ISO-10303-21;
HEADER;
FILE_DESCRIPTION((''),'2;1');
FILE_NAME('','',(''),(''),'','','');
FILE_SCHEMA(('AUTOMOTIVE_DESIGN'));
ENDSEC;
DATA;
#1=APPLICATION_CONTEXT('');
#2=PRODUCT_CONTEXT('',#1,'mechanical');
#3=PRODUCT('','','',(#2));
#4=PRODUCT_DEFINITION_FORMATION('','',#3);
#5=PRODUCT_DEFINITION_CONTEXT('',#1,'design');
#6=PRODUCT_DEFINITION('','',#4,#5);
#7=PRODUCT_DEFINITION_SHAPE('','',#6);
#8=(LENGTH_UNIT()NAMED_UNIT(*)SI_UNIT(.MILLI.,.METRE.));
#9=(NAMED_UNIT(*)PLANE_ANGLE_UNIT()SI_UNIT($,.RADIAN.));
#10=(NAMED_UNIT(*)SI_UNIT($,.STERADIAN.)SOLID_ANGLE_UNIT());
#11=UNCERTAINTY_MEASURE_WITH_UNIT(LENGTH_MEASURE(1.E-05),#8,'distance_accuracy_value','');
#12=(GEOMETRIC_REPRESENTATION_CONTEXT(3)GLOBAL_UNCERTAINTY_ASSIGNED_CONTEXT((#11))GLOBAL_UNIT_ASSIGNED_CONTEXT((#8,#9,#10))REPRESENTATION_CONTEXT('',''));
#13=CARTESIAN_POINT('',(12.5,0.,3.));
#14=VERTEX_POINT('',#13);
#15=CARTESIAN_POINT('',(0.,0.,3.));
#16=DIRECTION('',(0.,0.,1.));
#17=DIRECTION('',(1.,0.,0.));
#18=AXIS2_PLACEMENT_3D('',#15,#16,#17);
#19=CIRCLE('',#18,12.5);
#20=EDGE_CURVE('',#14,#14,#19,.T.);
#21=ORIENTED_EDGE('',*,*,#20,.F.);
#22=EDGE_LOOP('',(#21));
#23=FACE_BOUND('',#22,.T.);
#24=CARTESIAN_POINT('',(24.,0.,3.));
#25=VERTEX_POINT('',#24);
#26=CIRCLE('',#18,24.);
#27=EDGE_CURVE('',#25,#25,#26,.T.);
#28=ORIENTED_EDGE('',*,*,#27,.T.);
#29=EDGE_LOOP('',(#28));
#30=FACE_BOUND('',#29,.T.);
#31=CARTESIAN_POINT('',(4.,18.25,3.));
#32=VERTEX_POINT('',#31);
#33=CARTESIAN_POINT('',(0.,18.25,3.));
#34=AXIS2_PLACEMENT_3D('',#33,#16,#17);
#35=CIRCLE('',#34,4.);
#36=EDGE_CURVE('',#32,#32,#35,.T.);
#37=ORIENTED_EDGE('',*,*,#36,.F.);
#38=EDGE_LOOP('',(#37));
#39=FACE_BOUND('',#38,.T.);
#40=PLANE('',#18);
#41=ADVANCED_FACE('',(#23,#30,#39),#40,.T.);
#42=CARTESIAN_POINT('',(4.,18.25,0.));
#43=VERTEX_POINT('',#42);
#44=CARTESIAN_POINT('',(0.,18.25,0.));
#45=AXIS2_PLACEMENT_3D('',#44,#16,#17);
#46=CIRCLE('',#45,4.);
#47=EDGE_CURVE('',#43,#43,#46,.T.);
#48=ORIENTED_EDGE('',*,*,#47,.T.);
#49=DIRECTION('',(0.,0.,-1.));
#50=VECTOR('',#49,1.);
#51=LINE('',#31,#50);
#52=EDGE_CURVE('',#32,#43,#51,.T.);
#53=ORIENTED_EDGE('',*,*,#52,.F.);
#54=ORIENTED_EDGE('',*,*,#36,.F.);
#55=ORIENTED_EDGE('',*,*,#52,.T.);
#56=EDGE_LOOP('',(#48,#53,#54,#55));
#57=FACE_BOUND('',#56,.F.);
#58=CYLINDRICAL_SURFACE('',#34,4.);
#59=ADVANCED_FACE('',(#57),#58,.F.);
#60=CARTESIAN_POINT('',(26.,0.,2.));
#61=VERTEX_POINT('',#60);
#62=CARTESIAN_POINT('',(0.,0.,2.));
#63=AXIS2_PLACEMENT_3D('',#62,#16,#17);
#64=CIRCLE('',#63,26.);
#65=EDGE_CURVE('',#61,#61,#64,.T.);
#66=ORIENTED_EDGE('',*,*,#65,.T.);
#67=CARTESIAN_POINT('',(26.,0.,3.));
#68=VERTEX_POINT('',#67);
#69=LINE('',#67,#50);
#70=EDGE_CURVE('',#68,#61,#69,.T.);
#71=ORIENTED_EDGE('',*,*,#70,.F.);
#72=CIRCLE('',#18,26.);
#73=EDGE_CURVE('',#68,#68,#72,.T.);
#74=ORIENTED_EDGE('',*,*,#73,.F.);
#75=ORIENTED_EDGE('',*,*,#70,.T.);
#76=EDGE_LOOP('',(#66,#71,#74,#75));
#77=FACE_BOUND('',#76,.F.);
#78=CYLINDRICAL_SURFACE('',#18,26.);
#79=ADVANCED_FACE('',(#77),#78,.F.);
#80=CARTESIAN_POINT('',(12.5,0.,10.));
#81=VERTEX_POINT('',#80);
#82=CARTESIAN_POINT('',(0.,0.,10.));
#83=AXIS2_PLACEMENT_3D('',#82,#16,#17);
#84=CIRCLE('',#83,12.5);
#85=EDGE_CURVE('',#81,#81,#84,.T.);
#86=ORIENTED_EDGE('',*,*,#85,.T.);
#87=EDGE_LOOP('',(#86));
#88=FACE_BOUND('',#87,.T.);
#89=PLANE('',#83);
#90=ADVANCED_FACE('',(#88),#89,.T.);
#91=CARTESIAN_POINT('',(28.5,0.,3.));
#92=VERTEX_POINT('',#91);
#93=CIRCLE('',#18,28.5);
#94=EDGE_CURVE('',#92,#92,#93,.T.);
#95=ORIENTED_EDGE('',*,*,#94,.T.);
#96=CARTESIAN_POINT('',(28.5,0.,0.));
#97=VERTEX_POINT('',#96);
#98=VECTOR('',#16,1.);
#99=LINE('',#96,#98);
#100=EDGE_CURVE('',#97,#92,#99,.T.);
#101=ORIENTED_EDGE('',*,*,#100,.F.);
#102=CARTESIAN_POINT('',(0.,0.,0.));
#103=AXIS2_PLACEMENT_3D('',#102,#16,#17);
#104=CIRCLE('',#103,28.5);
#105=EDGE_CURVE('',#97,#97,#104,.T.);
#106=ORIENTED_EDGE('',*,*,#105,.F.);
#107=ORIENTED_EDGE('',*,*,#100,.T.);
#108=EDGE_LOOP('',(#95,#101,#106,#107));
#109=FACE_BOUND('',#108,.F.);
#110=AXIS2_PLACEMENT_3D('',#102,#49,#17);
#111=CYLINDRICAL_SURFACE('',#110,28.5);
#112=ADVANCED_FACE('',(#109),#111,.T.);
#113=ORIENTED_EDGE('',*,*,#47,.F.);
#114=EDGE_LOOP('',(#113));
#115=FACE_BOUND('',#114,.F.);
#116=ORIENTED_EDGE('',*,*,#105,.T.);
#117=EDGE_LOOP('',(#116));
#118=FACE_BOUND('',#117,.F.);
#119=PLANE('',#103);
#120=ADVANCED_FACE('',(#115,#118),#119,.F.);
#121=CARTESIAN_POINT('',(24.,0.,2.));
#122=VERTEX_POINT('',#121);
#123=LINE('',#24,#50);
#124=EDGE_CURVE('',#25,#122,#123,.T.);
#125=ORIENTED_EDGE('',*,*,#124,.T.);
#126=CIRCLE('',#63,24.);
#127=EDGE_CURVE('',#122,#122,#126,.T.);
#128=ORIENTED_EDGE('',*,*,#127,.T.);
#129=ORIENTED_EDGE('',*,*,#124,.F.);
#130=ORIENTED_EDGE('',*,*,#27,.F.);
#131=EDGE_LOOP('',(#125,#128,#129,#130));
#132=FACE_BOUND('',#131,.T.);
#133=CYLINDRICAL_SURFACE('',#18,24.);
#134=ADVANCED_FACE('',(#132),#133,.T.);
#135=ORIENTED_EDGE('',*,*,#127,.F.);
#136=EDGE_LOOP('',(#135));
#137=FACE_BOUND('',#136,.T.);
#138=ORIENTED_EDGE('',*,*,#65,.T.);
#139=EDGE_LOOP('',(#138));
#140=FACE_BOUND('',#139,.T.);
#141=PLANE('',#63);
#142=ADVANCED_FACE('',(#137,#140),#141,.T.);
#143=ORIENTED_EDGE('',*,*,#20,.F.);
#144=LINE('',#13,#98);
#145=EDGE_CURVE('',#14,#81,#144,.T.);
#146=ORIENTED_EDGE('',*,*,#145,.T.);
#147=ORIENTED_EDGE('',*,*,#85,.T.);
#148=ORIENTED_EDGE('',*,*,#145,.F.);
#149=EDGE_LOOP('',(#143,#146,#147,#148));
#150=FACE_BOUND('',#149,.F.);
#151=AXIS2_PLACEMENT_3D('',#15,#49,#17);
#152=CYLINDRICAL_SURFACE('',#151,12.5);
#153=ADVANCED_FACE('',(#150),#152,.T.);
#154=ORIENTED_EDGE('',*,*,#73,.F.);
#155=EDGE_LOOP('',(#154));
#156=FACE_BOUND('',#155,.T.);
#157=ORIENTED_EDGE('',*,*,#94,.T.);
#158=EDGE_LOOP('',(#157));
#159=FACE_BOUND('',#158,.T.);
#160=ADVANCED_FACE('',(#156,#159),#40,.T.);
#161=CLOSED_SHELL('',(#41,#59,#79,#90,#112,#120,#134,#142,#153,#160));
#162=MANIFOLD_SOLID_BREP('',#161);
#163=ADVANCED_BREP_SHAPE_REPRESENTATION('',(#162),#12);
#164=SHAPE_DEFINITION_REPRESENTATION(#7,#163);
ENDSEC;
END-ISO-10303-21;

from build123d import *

# Parameters (mm, degrees)
F0_R     = 28.5
F1_DEPTH = 3
F2_R     = 26
F2_R_2   = 24
F3_DEPTH = 1
F4_R     = 12.5
F5_DEPTH = 7
F6_R     = 4
F7_DEPTH = 3


with BuildPart() as f1:
    # F0 (on Top) → F1 (new body)
    with BuildSketch(Plane.XY):
        Circle(F0_R)
    extrude(amount=F1_DEPTH)

    # F2 (on face) → F3 (cut)
    with BuildSketch(Plane.XY.offset(3)):
        Circle(F2_R)
        Circle(F2_R_2, mode=Mode.SUBTRACT)
    extrude(amount=-F3_DEPTH, mode=Mode.SUBTRACT)

    # F4 (on face) → F5 (join)
    with BuildSketch(Plane.XY.offset(3)):
        Circle(F4_R)
    extrude(amount=F5_DEPTH)

    # F6 (on face) → F7 (cut)
    with BuildSketch(Plane.XY.offset(3)):
        with Locations((0, 18.25)):
            Circle(F6_R)
    extrude(amount=-F7_DEPTH, mode=Mode.SUBTRACT)


solid = f1.part
